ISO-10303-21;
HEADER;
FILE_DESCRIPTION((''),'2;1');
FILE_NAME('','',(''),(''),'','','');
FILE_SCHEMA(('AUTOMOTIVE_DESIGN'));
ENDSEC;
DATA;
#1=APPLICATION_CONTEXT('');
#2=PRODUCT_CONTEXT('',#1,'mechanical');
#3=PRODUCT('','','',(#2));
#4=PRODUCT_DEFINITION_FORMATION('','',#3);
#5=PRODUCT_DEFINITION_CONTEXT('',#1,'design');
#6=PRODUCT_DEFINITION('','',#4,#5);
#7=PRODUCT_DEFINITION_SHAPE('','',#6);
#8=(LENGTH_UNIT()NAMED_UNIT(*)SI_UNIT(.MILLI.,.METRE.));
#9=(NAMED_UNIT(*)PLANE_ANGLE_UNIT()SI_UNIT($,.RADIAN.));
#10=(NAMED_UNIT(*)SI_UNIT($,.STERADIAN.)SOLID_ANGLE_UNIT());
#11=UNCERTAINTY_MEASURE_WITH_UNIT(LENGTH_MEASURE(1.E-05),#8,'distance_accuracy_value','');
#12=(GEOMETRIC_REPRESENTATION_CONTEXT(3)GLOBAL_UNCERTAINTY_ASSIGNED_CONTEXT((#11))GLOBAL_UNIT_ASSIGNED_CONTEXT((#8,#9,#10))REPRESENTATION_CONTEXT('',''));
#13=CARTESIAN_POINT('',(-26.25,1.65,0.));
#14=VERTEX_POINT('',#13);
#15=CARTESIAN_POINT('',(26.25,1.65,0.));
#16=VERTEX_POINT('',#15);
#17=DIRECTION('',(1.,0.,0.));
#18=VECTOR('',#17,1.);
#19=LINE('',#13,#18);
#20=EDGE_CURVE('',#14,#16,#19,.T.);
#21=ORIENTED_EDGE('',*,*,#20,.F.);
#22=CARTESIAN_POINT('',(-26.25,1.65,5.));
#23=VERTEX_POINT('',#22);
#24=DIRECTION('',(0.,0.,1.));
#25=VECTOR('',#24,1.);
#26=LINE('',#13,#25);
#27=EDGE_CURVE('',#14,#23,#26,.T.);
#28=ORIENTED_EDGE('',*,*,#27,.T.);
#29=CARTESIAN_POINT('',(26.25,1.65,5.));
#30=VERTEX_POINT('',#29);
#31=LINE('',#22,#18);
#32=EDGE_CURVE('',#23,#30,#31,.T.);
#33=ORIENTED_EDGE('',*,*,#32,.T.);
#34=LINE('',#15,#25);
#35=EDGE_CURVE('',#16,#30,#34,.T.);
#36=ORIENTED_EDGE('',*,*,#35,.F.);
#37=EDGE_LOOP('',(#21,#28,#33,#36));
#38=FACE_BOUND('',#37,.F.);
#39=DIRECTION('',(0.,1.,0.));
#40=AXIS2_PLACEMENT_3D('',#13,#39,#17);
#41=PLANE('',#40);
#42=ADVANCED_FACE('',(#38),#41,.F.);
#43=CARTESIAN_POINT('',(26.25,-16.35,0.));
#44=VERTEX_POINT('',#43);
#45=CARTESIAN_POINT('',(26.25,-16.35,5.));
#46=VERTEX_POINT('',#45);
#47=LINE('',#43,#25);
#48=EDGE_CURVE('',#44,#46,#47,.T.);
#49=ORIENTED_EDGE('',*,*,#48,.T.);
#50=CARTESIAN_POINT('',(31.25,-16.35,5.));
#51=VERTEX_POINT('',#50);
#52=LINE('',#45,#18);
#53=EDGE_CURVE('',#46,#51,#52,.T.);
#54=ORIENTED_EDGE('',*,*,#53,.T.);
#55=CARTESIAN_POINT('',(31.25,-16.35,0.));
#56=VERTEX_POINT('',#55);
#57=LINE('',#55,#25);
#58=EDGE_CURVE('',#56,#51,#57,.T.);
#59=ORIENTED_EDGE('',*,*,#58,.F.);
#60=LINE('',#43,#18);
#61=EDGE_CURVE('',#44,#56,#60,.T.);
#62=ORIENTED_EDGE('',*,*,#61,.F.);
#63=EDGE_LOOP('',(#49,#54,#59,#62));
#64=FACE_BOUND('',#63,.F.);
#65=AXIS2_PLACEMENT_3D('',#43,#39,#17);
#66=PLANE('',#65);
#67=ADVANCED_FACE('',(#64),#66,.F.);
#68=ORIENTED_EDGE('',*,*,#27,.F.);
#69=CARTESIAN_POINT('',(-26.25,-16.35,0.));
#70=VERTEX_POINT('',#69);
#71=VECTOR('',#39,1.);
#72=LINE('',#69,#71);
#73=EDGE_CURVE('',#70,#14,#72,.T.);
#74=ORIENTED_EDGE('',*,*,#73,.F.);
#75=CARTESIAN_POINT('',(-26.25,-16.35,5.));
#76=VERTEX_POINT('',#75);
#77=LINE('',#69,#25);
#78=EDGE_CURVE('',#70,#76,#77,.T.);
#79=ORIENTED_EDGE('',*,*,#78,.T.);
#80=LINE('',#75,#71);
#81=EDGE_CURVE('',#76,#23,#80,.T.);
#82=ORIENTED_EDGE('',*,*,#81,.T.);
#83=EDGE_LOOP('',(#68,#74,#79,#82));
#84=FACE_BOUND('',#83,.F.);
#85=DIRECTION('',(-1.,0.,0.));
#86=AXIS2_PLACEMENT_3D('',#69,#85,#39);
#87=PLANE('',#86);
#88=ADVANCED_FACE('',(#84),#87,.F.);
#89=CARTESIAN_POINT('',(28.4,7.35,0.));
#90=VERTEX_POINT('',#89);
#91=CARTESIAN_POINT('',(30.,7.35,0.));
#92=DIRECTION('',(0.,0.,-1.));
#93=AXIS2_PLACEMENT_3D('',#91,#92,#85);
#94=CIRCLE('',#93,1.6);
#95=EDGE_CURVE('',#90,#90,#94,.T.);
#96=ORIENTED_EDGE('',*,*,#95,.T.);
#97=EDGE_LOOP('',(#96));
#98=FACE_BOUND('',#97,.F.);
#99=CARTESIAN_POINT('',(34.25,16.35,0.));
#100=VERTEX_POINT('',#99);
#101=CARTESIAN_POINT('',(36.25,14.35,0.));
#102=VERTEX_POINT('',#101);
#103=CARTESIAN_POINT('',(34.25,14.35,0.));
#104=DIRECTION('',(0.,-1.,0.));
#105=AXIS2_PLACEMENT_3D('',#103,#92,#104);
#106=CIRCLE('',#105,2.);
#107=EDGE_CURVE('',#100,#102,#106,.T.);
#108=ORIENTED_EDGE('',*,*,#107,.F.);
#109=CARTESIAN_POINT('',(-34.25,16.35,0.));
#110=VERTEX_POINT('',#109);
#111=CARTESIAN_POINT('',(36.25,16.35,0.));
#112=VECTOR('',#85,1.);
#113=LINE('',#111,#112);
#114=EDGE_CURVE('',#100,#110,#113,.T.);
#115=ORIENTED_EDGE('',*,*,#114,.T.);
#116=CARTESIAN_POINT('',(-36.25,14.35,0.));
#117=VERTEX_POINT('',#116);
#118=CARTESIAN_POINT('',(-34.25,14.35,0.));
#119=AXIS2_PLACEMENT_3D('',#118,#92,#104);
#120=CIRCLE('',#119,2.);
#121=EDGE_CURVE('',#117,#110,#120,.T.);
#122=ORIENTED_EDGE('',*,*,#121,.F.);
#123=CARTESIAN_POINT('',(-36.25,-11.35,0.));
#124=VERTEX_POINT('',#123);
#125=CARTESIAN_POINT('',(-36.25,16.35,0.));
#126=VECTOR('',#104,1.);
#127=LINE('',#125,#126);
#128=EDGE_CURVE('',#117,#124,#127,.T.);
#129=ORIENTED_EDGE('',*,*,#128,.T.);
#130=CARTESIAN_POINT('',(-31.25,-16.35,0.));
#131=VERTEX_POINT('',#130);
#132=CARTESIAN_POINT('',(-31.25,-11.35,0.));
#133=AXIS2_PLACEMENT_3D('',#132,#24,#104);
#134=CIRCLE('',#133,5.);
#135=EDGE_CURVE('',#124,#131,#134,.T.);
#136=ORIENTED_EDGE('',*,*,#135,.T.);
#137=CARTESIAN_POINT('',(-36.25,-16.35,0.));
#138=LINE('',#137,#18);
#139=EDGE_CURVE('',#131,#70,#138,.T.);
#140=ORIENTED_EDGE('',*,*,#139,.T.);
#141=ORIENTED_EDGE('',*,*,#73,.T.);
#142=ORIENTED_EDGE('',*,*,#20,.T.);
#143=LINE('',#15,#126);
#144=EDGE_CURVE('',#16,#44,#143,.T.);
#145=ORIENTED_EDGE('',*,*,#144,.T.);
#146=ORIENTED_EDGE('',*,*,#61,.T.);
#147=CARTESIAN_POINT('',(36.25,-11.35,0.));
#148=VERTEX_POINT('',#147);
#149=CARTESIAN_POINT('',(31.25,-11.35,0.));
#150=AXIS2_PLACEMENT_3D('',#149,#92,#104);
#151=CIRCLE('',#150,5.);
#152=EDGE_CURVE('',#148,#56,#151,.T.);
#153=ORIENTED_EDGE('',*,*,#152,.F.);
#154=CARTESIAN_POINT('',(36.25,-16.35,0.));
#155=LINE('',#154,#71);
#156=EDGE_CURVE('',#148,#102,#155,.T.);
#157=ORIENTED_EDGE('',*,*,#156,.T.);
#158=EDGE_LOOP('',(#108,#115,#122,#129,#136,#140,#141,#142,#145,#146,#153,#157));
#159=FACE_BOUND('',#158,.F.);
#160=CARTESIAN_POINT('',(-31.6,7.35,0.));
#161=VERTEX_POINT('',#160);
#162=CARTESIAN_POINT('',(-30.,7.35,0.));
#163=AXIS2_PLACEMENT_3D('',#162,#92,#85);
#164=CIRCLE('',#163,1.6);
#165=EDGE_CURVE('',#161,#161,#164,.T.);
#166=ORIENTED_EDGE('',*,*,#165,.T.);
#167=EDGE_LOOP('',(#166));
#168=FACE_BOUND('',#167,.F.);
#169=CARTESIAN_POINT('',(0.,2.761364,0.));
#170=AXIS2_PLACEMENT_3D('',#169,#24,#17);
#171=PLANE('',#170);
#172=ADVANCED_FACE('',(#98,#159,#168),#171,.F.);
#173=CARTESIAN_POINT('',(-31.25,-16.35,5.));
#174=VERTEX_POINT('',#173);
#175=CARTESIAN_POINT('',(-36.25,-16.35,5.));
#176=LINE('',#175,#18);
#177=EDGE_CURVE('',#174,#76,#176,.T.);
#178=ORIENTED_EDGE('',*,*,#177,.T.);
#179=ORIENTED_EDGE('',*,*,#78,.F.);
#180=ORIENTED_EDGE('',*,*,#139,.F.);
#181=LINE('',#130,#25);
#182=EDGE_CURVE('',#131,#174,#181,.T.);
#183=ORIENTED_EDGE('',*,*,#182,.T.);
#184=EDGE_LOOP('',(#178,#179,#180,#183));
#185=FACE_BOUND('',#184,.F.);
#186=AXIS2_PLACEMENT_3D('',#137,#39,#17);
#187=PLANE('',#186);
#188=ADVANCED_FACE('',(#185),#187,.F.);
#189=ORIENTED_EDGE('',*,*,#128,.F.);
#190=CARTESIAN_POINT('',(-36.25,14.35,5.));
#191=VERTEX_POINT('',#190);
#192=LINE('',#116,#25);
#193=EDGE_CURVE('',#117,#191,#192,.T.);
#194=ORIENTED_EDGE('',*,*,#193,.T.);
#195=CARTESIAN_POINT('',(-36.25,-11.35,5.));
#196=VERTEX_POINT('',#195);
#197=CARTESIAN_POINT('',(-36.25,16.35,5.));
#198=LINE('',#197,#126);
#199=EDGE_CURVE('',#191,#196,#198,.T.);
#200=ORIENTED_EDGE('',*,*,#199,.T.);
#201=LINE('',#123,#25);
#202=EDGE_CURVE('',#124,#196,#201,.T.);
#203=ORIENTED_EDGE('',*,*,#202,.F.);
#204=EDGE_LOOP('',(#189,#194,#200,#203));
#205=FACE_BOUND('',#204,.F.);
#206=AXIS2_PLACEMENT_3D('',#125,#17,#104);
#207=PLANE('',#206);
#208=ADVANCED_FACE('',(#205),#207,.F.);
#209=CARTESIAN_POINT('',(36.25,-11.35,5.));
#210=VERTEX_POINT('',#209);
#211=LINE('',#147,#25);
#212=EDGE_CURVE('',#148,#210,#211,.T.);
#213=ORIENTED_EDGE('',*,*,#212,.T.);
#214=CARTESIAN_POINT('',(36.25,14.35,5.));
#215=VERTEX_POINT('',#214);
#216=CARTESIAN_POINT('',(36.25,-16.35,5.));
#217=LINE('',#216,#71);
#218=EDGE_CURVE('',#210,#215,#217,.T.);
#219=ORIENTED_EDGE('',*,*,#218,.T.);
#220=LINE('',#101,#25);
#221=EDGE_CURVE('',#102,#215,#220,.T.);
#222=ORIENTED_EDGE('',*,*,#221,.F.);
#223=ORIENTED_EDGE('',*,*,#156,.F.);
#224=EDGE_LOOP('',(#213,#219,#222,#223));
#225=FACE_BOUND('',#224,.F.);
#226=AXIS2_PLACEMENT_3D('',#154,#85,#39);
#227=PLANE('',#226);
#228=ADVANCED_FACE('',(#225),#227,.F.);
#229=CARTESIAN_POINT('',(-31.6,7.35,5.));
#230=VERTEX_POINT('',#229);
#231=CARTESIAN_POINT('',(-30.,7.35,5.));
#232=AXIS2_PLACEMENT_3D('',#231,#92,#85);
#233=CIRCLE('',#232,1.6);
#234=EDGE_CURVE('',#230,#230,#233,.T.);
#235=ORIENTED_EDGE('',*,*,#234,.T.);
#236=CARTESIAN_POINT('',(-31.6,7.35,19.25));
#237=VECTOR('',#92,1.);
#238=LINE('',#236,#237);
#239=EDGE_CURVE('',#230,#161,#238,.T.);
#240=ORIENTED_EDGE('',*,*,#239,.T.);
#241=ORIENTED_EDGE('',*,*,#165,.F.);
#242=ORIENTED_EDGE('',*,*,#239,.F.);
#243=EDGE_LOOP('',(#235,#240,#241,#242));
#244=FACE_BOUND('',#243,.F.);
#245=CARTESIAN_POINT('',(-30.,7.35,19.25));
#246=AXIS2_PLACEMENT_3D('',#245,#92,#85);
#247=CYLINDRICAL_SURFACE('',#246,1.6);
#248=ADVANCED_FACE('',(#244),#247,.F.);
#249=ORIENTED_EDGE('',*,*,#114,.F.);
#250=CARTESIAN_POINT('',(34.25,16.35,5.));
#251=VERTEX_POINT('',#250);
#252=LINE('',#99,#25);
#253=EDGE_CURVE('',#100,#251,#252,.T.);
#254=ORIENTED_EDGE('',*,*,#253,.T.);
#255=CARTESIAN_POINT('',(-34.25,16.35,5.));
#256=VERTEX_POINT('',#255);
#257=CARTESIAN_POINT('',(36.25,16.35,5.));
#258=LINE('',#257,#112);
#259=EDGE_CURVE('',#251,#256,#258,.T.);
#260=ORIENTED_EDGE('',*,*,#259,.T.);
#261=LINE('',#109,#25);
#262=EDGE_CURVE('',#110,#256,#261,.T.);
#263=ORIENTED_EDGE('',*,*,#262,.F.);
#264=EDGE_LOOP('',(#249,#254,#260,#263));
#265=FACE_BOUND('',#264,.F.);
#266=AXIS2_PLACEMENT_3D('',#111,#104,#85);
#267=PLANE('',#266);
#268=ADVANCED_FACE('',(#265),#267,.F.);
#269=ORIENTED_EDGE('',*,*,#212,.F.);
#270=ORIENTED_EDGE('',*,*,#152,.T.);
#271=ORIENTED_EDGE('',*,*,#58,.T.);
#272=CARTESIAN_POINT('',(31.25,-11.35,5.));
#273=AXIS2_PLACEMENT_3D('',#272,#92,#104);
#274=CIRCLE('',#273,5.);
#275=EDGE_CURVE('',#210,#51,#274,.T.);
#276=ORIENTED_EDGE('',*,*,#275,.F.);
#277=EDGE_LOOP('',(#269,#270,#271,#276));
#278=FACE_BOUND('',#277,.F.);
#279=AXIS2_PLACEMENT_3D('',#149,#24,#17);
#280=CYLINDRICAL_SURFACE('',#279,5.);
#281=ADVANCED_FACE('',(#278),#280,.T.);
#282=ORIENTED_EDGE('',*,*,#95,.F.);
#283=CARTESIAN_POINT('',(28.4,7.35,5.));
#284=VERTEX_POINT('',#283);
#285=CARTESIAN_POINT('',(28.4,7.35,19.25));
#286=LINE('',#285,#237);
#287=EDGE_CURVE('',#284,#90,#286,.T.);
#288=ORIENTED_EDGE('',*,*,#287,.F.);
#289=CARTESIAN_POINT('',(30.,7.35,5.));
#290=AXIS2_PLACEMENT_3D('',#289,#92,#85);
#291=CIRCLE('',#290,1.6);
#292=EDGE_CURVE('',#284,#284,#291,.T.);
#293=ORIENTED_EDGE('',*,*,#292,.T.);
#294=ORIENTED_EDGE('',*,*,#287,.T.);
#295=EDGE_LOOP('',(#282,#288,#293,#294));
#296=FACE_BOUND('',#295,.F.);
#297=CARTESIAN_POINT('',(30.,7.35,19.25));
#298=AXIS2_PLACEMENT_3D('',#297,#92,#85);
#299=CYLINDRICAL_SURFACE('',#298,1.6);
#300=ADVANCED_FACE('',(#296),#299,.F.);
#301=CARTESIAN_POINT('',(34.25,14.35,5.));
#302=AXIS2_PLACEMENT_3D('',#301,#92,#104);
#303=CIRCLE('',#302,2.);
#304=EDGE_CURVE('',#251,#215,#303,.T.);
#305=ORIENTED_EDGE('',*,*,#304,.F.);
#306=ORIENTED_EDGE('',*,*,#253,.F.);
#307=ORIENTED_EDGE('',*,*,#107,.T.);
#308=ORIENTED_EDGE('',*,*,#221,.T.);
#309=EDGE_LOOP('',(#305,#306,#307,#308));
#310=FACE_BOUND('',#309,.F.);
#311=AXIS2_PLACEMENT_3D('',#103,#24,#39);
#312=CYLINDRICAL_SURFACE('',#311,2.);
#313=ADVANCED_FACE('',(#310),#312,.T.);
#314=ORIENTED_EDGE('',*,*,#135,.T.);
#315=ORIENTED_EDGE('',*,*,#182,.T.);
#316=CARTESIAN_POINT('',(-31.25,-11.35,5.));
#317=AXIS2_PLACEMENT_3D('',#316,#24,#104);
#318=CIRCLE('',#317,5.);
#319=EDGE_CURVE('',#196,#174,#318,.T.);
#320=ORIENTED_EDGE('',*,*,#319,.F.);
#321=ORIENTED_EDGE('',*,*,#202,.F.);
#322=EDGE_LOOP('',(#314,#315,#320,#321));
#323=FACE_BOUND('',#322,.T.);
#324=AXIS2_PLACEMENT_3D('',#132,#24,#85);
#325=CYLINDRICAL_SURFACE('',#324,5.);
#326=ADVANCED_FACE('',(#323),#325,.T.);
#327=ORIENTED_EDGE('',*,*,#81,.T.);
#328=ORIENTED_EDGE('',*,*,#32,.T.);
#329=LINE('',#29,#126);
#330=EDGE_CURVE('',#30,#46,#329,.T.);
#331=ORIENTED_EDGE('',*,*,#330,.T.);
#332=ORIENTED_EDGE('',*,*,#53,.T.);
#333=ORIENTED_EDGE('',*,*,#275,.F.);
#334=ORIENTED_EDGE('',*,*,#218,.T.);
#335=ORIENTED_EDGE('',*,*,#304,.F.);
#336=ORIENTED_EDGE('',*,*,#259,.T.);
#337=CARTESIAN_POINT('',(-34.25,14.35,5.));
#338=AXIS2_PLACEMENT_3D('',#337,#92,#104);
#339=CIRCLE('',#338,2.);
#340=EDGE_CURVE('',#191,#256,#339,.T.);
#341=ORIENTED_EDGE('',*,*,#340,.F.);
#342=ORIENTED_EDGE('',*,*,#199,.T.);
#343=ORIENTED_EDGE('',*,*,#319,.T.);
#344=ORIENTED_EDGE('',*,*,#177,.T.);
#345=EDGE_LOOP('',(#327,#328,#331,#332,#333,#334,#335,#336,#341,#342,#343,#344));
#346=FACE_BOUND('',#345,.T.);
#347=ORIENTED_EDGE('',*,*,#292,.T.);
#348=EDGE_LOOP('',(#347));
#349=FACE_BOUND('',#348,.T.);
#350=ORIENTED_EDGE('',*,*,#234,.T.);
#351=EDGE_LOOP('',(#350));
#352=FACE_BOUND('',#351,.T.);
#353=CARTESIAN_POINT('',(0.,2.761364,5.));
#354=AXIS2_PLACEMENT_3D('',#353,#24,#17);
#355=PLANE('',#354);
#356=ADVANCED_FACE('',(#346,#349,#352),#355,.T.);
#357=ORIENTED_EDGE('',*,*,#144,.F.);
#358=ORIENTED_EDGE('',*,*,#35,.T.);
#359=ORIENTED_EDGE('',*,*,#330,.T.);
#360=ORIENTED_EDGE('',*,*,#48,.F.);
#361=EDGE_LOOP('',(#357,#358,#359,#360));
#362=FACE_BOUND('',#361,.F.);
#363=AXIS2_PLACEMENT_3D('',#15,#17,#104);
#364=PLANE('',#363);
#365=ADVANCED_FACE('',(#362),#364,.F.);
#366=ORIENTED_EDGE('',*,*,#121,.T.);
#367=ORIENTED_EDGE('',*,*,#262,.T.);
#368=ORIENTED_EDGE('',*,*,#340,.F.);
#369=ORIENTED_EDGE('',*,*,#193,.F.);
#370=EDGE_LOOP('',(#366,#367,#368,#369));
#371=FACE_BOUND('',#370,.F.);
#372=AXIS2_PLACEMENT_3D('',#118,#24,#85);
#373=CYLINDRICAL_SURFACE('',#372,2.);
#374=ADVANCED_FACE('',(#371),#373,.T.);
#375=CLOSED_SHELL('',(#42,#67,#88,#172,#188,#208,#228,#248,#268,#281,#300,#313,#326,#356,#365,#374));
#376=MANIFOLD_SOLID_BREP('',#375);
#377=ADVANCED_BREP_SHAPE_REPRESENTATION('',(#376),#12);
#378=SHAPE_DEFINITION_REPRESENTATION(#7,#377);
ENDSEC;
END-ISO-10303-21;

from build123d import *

# Parameters (mm, degrees)
F1_DEPTH = 5
F3_D     = 3.2
F3_DEPTH = 14.25
F3_TIP   = 0.9613769904
F4_R     = 5
F5_R     = 2


with BuildPart() as f1:
    # F0 (on Top) → F1 (new body)
    with BuildSketch(Plane.XY):
        Polygon((-36.25, 16.35), (-36.25, -16.35), (-26.25, -16.35), (-26.25, 1.65), (26.25, 1.65), (26.25, -16.35), (36.25, -16.35), (36.25, 16.35), align=None)
    extrude(amount=F1_DEPTH)

    # F3
    with Locations(Plane.XY.offset(5)):
        with Locations((-30, 7.35), (30, 7.35)):
            Hole(F3_D / 2, depth=F3_DEPTH)
            with Locations((0, 0, -(F3_DEPTH + F3_TIP / 2))):  # 118° drill point
                Cone(0, F3_D / 2, F3_TIP, mode=Mode.SUBTRACT)

    # F4
    f4_edges = [f1.edges().sort_by_distance(p)[0] for p in [
        (-36.25, -16.35, 2.5),
        (36.25, -16.35, 2.5),
    ]]
    fillet(f4_edges, radius=F4_R)

    # F5
    f5_edges = [f1.edges().sort_by_distance(p)[0] for p in [
        (36.25, 16.35, 2.5),
        (-36.25, 16.35, 2.5),
    ]]
    fillet(f5_edges, radius=F5_R)


solid = f1.part
